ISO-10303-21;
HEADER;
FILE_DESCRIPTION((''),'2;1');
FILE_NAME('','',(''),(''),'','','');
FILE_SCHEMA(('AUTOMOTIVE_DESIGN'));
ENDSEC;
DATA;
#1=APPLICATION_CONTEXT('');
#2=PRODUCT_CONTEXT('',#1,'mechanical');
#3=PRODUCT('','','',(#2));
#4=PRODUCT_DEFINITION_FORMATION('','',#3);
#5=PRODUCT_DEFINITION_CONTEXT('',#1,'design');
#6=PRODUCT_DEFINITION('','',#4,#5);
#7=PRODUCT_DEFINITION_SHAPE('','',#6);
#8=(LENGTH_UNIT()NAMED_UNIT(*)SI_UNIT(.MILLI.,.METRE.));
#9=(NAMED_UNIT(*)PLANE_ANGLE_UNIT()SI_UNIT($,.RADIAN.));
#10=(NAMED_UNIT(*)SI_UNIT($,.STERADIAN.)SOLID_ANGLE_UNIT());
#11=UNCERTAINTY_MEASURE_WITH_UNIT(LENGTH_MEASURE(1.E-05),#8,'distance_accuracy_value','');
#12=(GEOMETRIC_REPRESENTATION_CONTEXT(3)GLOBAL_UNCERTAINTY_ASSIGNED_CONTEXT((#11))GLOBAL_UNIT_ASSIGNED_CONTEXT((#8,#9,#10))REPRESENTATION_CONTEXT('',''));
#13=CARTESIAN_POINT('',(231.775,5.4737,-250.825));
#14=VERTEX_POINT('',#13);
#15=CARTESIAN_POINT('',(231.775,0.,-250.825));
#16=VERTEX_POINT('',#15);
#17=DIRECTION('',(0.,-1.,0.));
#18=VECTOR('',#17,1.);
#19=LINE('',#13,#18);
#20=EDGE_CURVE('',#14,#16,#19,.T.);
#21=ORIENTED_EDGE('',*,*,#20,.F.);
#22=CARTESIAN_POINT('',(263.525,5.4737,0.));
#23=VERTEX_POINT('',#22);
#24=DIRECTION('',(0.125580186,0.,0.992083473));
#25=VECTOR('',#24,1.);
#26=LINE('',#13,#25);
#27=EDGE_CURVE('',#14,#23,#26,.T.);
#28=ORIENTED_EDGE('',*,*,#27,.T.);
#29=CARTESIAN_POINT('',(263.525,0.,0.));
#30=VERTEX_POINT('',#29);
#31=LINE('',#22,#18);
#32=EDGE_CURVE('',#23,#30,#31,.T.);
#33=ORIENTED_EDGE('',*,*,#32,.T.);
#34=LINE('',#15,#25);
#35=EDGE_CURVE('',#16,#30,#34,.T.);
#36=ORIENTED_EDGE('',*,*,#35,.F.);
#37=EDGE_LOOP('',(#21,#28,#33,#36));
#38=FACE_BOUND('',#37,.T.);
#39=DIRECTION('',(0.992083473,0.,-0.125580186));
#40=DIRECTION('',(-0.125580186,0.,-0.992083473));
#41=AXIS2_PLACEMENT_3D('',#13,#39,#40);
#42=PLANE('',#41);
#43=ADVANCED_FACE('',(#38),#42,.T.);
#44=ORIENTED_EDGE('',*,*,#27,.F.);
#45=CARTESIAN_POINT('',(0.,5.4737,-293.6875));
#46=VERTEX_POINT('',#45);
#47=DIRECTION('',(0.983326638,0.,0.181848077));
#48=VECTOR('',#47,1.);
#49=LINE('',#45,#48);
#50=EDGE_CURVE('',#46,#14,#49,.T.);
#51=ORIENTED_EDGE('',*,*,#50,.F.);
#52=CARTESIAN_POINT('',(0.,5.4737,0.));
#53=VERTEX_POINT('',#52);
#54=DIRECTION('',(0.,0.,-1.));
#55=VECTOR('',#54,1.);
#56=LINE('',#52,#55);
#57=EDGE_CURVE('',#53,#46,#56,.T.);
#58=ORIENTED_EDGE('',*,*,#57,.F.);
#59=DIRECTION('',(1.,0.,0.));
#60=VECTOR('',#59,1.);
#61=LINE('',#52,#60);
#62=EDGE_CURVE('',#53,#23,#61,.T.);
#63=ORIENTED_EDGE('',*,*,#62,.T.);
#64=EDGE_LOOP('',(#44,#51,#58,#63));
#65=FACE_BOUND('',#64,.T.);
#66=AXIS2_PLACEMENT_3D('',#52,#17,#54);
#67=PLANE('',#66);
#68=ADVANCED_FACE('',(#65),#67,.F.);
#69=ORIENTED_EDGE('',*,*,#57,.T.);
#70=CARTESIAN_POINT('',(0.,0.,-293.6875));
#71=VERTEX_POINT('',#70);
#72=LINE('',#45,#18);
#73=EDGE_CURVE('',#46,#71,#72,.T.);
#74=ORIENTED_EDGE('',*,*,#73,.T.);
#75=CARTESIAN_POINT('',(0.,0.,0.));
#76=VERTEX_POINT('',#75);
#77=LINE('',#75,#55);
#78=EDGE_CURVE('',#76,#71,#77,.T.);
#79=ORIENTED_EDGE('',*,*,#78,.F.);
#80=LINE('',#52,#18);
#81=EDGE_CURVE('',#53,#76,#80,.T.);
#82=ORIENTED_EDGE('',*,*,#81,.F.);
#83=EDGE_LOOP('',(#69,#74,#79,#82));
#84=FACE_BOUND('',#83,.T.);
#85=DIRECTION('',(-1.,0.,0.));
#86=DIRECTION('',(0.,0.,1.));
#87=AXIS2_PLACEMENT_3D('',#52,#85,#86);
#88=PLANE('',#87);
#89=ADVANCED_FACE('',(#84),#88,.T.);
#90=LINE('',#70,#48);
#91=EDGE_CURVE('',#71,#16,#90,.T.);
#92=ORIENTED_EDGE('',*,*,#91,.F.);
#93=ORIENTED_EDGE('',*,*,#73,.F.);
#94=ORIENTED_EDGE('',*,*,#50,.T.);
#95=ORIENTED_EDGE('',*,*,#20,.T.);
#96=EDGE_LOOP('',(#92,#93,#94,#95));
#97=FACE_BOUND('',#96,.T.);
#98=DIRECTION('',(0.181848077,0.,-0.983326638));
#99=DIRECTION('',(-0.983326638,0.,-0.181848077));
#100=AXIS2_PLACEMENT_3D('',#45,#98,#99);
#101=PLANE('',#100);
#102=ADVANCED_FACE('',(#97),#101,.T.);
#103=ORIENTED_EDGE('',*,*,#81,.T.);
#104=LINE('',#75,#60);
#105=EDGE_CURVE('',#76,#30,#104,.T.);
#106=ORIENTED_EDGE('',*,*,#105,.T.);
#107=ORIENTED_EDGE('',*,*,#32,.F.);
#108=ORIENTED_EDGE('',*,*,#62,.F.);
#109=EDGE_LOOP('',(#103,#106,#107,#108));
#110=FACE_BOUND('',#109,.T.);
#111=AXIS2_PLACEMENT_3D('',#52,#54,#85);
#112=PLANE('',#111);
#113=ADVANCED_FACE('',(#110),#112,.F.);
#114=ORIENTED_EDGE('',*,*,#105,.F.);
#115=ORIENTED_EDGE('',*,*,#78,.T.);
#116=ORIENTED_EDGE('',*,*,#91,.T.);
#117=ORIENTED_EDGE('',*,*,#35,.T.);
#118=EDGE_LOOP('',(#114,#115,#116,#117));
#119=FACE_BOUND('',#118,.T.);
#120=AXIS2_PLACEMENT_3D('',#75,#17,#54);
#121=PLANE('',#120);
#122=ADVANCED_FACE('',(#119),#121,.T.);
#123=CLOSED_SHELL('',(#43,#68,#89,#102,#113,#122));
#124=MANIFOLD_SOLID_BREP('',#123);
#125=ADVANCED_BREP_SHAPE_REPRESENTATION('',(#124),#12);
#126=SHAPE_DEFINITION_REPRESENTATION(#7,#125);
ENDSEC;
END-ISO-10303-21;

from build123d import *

# Parameters (mm, degrees)
BOSS_EXTRUDE1_DEPTH = 5.4737


with BuildPart() as part:
    # Sketch2 → Boss-Extrude1 (new body)
    with BuildSketch(Plane(origin=(0, 0, 0), x_dir=(1, 0, 0), z_dir=(0, 1, 0))):
        Polygon((0, 0), (0, 293.6875), (231.775, 250.825), (263.525, 0), align=None)
    extrude(amount=BOSS_EXTRUDE1_DEPTH)


solid = part.part
